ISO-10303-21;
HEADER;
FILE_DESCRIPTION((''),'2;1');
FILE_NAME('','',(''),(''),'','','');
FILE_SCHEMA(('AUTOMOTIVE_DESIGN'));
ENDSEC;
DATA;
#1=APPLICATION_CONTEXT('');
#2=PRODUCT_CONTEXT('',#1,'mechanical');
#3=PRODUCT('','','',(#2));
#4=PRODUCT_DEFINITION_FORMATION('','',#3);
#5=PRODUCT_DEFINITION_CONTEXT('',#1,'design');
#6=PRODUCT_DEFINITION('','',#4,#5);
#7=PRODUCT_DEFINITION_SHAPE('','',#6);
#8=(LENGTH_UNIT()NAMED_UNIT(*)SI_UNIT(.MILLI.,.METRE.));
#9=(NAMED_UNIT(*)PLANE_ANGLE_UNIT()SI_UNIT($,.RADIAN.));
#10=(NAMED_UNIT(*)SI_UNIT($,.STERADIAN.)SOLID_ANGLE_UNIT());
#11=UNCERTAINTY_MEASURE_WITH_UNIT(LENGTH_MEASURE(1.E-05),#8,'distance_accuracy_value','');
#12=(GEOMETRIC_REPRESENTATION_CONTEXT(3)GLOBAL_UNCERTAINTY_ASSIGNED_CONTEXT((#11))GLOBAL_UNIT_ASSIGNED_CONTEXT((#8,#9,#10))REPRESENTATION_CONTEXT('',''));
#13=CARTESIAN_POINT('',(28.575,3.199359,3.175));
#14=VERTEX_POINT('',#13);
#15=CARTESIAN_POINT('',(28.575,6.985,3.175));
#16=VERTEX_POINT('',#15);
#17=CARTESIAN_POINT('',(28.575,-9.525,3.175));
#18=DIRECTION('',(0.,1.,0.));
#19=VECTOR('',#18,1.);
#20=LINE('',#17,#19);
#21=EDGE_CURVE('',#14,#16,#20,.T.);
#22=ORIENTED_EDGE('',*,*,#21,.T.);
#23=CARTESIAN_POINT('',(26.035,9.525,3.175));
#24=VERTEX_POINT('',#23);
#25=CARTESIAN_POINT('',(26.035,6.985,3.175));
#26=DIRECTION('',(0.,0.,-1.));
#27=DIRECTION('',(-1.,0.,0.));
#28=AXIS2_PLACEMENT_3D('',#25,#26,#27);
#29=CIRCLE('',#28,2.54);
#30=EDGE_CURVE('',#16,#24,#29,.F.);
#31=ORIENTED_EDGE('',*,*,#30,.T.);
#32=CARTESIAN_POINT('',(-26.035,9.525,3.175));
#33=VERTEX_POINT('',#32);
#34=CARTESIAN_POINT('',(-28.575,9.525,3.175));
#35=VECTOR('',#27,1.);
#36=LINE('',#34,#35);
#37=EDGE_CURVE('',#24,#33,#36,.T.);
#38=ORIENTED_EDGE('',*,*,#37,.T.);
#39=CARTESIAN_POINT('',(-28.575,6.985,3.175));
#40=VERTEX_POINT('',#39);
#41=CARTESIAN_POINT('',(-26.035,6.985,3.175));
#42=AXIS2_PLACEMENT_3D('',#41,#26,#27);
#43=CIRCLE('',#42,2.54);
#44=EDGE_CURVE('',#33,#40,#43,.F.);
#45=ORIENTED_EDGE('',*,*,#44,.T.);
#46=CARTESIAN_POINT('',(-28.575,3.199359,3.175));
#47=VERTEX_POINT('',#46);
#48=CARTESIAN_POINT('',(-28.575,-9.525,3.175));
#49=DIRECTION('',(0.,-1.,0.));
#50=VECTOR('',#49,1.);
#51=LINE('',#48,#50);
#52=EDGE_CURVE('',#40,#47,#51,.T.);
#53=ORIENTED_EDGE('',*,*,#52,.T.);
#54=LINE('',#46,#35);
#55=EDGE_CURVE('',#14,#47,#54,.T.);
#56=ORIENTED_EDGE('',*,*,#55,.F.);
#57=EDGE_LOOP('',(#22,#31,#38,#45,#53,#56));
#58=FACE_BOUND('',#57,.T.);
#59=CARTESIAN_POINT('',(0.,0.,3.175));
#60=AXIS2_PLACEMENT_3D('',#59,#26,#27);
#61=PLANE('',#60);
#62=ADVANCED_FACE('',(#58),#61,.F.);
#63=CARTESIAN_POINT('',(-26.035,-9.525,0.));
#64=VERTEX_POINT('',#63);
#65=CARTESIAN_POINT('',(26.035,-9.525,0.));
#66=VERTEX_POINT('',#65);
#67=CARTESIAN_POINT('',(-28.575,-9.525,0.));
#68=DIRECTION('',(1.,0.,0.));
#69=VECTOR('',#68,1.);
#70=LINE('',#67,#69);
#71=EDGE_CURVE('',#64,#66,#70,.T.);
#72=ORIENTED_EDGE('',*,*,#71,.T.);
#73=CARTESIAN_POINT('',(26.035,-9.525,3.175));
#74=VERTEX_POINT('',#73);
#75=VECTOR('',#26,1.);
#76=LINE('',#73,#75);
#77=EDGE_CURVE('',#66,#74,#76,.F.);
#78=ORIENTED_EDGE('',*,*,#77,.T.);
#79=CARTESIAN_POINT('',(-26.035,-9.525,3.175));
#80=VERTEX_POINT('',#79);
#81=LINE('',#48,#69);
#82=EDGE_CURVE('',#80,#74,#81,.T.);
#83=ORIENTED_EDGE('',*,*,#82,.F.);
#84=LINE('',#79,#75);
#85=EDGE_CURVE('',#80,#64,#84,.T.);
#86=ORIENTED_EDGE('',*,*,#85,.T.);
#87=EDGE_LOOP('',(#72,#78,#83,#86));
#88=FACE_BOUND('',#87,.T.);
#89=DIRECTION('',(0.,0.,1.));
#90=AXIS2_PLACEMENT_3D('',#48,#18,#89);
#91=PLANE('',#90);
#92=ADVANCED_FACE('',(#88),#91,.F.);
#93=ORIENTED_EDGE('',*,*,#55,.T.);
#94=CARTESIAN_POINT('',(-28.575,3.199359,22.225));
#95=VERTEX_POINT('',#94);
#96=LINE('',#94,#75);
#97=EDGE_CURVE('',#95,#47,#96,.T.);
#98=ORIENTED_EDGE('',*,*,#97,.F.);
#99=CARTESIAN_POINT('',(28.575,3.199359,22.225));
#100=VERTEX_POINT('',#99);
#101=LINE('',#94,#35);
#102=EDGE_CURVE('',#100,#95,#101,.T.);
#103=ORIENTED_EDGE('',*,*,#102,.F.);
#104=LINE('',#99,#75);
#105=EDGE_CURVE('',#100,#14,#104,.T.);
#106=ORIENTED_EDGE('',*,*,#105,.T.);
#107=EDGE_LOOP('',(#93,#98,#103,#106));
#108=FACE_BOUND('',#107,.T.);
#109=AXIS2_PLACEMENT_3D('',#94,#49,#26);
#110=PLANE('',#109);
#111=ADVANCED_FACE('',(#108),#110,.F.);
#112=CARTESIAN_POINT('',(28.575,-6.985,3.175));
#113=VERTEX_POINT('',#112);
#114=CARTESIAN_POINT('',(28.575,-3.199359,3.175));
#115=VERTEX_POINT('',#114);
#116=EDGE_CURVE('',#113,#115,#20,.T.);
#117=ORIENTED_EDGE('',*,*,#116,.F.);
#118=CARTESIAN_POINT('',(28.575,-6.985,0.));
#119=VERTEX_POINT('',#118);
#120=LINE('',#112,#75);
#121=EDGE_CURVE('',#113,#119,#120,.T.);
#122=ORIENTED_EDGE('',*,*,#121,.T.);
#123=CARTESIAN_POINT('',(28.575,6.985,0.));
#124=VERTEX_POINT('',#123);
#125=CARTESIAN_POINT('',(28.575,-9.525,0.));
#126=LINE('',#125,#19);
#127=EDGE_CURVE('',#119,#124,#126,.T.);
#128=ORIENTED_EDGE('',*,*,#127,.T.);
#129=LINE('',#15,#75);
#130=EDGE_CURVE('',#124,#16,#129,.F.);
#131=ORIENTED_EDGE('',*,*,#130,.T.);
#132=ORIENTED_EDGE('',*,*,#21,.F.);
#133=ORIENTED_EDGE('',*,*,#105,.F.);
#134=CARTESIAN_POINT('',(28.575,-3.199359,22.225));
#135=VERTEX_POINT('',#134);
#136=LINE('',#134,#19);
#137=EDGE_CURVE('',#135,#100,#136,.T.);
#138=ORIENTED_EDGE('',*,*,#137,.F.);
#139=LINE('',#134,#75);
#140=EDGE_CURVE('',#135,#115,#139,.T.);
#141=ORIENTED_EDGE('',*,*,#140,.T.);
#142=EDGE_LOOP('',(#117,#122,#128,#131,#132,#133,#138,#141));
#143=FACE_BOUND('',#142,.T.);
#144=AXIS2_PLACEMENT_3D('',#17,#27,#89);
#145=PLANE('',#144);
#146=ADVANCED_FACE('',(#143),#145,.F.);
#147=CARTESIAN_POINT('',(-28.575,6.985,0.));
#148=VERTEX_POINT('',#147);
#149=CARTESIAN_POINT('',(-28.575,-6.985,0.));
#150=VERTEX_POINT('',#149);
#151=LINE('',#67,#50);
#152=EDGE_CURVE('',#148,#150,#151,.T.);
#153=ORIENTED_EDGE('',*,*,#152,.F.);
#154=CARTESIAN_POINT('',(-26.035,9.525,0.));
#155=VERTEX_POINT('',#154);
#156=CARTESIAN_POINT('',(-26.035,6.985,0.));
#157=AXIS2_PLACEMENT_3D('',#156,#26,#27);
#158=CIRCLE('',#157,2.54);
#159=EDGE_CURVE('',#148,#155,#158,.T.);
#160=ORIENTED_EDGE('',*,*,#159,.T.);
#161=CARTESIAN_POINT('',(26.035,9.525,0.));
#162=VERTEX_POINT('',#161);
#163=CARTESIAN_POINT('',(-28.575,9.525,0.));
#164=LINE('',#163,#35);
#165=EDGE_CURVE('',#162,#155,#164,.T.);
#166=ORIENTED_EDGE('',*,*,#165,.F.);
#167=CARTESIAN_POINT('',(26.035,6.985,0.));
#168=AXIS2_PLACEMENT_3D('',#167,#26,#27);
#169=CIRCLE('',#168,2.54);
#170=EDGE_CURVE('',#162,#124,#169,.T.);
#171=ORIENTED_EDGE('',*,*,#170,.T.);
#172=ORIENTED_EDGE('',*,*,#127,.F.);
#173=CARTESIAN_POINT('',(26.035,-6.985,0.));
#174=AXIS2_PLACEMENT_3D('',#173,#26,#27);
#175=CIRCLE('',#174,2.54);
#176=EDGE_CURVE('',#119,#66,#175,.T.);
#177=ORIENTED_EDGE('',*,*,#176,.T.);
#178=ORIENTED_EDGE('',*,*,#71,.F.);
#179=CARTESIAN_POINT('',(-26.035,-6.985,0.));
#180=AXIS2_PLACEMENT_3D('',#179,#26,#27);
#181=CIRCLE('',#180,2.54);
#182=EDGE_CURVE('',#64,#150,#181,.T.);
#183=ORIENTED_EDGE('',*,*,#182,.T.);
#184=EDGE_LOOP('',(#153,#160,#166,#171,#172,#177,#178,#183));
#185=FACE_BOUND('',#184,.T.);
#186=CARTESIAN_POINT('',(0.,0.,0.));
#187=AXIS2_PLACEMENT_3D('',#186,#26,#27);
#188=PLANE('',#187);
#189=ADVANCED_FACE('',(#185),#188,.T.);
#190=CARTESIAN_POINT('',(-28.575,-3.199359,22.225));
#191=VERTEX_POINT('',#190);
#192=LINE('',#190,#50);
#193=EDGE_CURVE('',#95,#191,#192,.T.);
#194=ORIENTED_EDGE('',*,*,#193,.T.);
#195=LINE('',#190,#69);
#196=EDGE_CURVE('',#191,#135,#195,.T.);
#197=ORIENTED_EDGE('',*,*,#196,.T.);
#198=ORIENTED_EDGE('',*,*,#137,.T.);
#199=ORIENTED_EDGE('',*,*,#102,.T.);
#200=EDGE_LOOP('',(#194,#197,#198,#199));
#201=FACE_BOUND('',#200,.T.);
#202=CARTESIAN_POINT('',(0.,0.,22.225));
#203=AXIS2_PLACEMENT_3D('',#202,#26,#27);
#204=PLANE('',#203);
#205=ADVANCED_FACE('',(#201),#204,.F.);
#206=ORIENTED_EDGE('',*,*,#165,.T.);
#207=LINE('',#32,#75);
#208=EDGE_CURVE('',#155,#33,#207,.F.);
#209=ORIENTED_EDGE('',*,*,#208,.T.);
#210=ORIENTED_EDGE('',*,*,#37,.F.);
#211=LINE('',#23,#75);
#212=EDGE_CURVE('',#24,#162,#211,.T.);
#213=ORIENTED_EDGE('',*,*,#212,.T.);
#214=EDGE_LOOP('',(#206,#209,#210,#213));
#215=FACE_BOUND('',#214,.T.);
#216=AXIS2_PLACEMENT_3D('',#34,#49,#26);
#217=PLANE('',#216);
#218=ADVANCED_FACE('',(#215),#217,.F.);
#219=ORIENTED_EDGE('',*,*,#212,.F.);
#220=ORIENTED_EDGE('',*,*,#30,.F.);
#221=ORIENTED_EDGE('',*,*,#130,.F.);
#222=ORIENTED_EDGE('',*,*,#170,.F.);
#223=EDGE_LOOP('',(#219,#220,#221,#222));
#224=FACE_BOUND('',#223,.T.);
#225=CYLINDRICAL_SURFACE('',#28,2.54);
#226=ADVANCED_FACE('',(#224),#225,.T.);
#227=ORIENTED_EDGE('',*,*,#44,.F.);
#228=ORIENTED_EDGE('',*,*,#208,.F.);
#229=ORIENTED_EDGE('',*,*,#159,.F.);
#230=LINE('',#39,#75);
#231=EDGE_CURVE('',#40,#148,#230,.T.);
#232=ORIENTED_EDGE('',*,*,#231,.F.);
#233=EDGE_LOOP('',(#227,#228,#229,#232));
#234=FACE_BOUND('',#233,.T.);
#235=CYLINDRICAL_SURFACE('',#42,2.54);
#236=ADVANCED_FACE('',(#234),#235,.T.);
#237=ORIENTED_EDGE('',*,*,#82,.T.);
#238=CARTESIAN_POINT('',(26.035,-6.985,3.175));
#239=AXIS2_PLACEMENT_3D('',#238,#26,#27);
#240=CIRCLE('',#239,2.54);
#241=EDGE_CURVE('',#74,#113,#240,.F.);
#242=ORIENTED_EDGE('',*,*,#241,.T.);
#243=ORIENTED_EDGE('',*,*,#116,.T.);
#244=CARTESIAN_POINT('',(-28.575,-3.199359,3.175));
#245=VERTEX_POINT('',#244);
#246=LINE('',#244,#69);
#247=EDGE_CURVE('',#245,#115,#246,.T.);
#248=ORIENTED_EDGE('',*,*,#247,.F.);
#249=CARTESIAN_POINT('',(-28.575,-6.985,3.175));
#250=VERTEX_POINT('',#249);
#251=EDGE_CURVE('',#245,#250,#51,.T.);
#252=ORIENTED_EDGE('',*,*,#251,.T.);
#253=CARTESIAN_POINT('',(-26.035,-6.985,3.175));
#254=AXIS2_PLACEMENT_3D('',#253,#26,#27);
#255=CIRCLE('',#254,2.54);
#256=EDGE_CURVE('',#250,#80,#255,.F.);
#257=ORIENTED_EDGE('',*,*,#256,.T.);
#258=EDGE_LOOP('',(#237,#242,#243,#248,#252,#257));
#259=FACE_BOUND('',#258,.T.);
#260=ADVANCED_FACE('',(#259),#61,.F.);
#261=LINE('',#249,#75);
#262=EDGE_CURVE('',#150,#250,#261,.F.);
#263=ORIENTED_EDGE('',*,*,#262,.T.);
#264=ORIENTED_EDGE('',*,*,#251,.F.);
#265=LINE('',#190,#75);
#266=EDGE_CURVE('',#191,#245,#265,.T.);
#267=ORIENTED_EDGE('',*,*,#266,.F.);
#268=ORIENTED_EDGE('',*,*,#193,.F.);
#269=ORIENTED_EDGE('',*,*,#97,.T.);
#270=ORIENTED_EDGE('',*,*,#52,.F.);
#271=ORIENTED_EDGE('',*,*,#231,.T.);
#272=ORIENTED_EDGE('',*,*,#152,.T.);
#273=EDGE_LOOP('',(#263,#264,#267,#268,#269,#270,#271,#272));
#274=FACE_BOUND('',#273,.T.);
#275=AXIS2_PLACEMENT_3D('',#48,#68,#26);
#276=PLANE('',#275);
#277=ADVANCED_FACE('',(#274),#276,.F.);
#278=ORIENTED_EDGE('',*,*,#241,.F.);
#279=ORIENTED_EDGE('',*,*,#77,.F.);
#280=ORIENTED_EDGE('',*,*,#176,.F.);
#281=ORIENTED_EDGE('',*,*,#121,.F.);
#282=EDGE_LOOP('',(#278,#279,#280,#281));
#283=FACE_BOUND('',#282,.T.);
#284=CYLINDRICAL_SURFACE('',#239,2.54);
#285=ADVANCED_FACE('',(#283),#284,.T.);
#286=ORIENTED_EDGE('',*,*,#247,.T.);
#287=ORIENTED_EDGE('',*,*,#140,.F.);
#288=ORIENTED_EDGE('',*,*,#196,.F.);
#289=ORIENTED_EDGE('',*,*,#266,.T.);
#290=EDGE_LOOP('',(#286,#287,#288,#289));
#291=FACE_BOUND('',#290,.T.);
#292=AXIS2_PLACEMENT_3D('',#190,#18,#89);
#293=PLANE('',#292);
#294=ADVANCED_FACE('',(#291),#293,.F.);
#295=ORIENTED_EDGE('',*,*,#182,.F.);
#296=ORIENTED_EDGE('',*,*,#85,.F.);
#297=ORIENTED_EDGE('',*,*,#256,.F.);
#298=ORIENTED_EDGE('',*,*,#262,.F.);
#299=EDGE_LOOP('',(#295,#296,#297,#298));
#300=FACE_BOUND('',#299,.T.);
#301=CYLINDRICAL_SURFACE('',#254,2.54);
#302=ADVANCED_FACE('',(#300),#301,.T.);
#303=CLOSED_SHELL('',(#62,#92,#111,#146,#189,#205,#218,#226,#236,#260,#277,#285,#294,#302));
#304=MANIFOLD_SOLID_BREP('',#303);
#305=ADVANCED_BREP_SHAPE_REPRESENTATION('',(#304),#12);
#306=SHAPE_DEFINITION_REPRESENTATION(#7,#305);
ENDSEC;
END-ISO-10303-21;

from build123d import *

# Parameters (mm, degrees)
SKETCH1_W           = 57.15
SKETCH1_H           = 19.05
BOSS_EXTRUDE1_DEPTH = 3.175
SKETCH2_W           = 57.15
SKETCH2_H           = 6.398717948
BOSS_EXTRUDE2_DEPTH = 19.05
FILLET1_R           = 2.54


with BuildPart() as part:
    # Sketch1 → Boss-Extrude1 (new body)
    with BuildSketch(Plane.XY):
        Rectangle(SKETCH1_W, SKETCH1_H)
    extrude(amount=BOSS_EXTRUDE1_DEPTH)

    # Sketch2 → Boss-Extrude2 (add)
    with BuildSketch(Plane.XY.offset(3.175)):
        Rectangle(SKETCH2_W, SKETCH2_H)
    extrude(amount=BOSS_EXTRUDE2_DEPTH)

    # Fillet1
    fillet1_edges = [part.edges().sort_by_distance(p)[0] for p in [
        (28.575, -9.525, 1.5875),
        (-28.575, -9.525, 1.5875),
        (-28.575, 9.525, 1.5875),
        (28.575, 9.525, 1.5875),
    ]]
    fillet(fillet1_edges, radius=FILLET1_R)


solid = part.part
